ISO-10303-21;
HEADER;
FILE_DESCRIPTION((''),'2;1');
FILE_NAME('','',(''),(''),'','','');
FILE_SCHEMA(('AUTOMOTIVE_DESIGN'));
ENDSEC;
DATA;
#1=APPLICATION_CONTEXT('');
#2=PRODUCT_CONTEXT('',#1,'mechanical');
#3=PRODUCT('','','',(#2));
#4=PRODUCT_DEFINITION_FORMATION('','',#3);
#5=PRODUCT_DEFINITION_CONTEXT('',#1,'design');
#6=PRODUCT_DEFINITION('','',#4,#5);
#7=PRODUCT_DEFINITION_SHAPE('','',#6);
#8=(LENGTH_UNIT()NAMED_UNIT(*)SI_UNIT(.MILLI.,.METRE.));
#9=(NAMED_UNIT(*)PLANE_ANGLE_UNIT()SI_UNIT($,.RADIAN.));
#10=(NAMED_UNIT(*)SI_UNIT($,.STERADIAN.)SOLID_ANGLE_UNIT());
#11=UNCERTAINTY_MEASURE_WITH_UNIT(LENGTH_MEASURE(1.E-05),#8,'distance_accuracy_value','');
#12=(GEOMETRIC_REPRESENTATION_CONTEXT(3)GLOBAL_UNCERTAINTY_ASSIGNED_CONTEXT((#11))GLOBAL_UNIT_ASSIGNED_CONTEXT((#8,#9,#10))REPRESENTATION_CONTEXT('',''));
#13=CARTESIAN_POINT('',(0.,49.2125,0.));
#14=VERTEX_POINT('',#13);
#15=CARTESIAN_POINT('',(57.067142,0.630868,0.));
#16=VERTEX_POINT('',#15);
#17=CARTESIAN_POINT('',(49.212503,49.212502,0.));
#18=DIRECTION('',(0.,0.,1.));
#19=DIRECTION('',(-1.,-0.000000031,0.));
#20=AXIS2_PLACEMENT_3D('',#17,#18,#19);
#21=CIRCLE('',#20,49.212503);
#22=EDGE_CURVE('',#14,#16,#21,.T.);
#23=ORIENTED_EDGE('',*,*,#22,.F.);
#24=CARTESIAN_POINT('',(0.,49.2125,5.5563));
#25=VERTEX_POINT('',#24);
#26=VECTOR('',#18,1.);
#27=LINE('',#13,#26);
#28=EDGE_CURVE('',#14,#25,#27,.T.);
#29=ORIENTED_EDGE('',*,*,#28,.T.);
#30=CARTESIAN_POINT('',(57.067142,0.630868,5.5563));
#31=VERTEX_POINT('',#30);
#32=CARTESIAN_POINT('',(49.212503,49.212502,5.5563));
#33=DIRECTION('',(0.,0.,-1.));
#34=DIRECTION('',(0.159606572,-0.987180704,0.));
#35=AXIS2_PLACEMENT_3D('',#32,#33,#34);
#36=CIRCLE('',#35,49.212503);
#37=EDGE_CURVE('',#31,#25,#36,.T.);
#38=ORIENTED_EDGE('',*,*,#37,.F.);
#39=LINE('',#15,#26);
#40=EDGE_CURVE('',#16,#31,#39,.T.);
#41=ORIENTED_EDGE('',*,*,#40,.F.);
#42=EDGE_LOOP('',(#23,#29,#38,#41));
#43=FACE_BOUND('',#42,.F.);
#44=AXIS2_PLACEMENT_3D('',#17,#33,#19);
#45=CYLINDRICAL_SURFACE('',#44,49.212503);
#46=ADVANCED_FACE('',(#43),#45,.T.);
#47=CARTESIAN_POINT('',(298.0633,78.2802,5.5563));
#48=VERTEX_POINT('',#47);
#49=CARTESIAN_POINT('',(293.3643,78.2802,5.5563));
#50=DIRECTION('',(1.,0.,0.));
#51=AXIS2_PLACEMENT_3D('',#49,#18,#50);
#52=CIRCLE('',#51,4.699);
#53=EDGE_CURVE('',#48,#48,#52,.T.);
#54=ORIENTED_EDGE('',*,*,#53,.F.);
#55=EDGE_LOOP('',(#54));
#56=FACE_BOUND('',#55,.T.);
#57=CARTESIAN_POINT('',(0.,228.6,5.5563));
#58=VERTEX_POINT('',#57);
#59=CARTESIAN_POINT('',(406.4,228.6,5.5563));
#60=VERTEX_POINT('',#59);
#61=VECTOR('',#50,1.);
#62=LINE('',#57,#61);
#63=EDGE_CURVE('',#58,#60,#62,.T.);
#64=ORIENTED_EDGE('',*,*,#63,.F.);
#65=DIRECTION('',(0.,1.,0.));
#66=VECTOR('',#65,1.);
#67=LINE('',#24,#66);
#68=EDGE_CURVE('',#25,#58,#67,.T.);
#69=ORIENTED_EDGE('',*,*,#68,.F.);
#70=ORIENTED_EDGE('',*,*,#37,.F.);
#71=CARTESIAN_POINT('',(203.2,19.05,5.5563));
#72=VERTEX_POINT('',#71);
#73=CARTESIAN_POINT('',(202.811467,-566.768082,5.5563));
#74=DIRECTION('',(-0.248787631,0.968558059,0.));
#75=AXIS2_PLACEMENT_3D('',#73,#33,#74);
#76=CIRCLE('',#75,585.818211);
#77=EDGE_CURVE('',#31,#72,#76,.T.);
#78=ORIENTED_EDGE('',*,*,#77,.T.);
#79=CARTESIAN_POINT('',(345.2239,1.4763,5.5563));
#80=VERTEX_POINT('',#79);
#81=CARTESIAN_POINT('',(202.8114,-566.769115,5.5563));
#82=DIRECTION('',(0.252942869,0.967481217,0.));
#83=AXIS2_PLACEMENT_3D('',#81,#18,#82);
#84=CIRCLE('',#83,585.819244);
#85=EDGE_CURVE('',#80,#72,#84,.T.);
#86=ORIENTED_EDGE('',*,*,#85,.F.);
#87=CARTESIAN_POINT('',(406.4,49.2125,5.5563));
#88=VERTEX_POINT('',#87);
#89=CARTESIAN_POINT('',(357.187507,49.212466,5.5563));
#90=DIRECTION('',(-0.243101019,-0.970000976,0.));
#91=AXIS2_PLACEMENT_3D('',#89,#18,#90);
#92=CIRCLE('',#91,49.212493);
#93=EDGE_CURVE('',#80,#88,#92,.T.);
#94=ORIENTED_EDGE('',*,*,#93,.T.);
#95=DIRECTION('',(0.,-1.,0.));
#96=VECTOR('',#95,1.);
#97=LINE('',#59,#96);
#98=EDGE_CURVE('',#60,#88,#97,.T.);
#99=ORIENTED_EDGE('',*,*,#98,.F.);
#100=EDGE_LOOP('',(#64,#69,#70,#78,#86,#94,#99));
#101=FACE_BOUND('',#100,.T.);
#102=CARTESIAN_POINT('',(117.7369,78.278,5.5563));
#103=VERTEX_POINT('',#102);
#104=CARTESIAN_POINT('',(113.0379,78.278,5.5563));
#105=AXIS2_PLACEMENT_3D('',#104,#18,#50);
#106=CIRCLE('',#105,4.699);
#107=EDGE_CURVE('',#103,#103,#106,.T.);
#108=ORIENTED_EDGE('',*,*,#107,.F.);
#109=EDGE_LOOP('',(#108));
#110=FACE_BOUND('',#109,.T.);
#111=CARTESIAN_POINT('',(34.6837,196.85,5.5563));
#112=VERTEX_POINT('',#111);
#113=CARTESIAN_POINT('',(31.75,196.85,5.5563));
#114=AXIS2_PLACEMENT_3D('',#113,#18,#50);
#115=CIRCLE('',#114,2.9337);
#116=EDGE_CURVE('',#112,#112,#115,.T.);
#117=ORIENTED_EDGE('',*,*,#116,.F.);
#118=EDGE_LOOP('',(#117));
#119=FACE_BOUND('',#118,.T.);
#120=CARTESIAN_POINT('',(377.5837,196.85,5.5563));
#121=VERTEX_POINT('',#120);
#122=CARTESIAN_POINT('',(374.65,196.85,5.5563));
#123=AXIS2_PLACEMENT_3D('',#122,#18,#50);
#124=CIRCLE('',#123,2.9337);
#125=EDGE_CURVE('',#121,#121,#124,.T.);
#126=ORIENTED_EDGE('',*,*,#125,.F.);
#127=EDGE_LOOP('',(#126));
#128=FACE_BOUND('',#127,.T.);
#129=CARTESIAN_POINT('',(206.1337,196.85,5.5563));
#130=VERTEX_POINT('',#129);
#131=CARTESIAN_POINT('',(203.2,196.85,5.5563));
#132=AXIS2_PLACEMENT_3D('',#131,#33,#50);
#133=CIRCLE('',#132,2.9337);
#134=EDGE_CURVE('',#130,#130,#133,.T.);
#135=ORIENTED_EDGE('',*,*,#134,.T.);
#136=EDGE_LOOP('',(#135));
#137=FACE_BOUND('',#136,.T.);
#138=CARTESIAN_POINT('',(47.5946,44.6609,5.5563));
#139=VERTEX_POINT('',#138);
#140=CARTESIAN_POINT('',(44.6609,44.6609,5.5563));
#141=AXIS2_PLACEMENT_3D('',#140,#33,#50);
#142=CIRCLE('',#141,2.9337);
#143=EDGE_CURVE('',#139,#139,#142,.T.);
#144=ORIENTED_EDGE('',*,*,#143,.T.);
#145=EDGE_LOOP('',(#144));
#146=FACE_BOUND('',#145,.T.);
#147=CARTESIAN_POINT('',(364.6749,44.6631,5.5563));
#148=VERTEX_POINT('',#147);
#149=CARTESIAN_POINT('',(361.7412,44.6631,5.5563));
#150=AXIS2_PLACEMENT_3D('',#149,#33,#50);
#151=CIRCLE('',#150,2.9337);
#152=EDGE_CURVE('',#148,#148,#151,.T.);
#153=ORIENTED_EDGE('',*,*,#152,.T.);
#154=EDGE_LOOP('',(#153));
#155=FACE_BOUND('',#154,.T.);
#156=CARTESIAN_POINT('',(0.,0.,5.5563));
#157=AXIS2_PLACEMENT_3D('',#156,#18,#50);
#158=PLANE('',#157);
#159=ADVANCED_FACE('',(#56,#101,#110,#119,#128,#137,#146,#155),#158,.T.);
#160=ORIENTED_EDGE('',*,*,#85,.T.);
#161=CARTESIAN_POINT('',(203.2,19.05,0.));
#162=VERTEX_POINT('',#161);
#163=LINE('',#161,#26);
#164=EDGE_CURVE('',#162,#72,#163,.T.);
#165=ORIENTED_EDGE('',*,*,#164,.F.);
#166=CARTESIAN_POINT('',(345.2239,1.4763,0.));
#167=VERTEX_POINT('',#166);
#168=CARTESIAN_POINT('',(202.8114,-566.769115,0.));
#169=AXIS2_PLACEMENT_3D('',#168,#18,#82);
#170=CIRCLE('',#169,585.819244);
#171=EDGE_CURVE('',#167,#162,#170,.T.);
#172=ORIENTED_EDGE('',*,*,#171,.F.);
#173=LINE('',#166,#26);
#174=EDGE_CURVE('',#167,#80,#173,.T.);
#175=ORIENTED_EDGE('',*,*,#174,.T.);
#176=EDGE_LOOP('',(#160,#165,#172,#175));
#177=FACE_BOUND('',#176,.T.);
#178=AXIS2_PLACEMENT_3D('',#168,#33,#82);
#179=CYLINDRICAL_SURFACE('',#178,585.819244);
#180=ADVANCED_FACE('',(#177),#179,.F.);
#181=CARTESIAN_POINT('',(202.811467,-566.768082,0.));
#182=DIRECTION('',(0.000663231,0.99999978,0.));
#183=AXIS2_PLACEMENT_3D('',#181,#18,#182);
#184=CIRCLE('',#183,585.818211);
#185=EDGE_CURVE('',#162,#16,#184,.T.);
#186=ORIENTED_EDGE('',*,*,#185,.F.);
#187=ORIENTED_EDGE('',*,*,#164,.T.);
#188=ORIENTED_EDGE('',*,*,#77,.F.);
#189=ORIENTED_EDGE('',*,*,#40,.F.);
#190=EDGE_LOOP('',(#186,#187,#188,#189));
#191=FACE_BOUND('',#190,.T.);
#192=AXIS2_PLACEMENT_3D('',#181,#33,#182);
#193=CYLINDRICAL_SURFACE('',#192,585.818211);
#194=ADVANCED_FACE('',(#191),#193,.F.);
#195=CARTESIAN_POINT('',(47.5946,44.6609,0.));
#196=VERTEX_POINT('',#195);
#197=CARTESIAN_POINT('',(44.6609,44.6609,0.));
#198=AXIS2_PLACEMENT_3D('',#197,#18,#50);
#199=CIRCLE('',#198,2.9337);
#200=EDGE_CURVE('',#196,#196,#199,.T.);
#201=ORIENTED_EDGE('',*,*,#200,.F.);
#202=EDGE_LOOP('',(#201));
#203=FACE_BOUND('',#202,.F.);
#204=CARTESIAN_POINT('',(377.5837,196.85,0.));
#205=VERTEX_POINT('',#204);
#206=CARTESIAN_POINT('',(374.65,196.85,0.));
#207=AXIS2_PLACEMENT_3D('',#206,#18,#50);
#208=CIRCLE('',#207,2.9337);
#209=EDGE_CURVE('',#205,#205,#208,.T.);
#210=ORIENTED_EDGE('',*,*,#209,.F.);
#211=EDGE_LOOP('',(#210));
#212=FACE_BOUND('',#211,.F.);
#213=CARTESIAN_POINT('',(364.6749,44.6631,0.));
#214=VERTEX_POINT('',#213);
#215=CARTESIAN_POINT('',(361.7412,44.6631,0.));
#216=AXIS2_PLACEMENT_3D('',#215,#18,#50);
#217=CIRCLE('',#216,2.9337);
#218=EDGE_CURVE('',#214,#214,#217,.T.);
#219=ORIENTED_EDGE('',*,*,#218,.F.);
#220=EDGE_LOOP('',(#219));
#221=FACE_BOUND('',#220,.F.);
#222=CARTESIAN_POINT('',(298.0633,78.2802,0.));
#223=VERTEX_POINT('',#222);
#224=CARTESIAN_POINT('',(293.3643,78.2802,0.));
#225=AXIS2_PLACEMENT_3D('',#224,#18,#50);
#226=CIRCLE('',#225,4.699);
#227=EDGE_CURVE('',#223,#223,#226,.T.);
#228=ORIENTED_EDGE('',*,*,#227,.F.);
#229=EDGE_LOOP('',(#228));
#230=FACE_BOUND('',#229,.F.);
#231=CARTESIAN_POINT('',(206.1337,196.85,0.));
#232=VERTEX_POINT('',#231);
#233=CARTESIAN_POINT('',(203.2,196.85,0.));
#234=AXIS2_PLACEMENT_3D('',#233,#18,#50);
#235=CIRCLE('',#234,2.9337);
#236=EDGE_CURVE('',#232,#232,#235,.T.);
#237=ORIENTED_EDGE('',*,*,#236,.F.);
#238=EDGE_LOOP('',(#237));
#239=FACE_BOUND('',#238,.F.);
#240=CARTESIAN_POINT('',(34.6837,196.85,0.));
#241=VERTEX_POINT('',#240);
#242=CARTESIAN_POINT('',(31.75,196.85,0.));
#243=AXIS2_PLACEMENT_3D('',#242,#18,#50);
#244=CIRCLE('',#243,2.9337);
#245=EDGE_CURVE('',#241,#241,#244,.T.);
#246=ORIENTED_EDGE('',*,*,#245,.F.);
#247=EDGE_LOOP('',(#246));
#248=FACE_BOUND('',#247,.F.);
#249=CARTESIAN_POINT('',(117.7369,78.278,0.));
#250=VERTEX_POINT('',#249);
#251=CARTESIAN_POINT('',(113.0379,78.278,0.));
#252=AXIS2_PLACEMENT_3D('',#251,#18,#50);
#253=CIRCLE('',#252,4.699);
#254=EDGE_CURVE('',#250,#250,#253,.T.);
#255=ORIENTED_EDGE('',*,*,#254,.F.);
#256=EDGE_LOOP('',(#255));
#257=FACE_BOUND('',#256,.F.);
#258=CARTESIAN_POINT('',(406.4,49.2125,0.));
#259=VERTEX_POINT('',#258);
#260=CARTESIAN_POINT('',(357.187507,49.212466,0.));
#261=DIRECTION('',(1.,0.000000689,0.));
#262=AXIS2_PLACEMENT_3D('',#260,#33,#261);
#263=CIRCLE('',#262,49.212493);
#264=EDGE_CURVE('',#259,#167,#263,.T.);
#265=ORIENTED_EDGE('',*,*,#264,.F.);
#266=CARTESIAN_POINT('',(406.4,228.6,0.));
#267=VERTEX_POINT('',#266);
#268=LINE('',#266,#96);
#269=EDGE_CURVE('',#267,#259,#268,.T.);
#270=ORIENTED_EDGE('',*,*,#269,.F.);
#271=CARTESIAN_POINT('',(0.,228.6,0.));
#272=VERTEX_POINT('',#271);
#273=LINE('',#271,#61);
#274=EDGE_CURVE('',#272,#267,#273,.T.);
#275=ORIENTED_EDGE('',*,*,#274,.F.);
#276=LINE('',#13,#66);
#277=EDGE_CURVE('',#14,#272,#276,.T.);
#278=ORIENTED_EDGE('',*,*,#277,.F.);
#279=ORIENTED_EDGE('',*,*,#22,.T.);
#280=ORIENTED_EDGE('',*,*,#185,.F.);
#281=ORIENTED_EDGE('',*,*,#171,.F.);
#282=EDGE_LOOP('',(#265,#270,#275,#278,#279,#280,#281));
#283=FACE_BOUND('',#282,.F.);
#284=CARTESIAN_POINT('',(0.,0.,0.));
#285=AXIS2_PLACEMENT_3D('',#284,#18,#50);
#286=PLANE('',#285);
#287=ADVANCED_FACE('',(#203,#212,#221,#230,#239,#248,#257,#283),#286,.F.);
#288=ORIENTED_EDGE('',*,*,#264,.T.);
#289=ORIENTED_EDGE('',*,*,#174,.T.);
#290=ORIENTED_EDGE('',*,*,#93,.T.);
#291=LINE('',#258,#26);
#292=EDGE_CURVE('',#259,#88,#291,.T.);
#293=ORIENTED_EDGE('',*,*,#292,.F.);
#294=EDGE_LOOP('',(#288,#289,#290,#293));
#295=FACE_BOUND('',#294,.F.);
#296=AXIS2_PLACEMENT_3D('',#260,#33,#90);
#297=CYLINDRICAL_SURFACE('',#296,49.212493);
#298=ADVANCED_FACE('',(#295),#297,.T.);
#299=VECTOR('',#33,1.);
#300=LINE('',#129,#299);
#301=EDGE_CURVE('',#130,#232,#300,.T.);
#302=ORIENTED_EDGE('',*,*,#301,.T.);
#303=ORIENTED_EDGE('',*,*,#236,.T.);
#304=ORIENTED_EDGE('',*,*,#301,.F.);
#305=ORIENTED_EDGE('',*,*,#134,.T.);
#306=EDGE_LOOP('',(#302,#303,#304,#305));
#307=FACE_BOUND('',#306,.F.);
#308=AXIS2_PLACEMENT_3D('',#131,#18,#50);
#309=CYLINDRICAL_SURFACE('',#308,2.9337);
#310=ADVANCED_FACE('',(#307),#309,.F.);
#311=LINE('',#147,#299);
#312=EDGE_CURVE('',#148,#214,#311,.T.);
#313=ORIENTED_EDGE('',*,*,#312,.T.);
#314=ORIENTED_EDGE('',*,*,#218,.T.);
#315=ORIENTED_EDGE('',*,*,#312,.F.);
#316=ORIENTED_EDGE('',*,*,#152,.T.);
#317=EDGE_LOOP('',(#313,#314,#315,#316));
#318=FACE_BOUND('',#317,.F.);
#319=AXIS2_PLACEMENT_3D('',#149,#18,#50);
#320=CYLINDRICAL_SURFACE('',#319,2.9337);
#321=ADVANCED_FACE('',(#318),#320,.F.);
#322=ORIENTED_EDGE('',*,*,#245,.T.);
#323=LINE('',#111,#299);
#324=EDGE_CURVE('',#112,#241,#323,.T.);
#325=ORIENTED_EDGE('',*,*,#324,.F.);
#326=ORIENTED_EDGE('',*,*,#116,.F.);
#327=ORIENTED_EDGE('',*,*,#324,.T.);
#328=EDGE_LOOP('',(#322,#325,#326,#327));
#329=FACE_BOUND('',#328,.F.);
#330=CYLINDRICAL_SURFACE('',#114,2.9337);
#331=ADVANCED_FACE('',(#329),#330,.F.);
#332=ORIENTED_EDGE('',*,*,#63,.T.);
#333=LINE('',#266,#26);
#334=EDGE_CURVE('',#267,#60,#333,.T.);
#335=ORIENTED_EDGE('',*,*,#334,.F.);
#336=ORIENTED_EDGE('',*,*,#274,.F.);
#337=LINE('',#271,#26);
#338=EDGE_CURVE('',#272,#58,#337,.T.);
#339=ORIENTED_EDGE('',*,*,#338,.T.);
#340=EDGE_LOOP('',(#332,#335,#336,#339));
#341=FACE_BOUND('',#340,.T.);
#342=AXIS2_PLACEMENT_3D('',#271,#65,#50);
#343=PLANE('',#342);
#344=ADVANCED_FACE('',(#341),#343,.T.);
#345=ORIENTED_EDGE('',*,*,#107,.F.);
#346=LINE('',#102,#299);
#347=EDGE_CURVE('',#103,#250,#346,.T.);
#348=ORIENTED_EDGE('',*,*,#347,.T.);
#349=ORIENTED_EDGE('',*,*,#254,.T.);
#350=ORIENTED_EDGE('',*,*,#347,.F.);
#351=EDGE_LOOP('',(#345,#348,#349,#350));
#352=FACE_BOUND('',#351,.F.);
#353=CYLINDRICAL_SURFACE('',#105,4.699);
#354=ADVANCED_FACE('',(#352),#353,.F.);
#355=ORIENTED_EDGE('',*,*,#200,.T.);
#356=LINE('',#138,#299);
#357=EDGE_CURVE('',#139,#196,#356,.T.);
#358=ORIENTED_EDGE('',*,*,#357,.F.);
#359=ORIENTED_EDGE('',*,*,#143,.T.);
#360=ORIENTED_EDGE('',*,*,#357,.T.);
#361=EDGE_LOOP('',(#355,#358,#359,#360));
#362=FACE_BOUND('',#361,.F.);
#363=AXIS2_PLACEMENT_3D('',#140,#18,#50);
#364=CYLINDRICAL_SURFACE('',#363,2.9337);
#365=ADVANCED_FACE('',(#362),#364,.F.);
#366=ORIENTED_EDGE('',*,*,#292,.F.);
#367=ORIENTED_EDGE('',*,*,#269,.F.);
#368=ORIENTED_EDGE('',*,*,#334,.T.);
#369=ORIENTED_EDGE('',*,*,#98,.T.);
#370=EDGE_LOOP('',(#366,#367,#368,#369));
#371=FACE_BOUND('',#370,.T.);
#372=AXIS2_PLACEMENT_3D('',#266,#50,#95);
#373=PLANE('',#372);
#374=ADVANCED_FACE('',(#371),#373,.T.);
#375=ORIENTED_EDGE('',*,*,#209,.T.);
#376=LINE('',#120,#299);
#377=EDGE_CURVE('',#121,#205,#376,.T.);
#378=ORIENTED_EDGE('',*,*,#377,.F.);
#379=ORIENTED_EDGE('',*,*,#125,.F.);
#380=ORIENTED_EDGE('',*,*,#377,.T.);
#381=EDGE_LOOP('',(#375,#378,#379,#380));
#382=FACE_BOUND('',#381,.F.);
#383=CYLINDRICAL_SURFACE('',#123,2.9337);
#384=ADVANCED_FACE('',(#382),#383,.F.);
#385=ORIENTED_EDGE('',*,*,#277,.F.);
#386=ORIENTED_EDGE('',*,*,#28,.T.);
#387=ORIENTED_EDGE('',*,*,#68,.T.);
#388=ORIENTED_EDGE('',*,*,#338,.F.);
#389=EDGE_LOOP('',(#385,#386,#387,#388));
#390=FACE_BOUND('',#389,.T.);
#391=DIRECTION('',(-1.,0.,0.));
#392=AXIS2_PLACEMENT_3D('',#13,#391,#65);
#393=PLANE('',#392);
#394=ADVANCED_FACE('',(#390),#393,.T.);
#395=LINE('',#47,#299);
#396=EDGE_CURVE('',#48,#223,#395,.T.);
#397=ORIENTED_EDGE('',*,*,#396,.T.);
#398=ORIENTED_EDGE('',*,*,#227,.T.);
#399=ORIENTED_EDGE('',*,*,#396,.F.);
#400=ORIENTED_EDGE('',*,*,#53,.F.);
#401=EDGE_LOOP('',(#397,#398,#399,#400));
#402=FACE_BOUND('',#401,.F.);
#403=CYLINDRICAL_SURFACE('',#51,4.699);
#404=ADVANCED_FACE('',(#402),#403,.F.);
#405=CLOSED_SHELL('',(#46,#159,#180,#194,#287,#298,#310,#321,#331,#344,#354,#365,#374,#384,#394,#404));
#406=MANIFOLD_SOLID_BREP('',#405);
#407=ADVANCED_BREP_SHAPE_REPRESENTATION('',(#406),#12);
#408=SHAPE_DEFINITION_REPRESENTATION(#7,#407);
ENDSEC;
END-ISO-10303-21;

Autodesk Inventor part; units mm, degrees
ref_plane "YZ Plane" through (0, 0, 0) normal (1, 0, 0) x (0, 1, 0)
ref_plane "XZ Plane" through (0, 0, 0) normal (0, 1, 0) x (-1, 0, 0)
ref_plane "XY Plane" through (0, 0, 0) normal (0, 0, 1) x (1, 0, 0)
sketch "Sketch1" plane through (0, 0, 0) normal (0, 0, 1) x (1, 0, 0)
  line L0 (49.2125, 0) -> (54.6328, 0)
  line L1 (357.1875, 0) -> (350.9902, 0)
  arc A0 (0, 49.2125) -> (65.0875, 2.6308) centre (49.2125, 49.2125) ccw
  arc A1 (345.2239, 1.4763) -> (406.4, 49.2125) centre (357.1875, 49.2125) ccw
  arc A2 (203.2, 19.05) -> (54.6328, 0) centre (202.8115, -566.7686) ccw
  arc A3 (350.9902, 0) -> (345.2239, 1.4763) centre (202.8115, -566.7686) ccw
  arc A4 (65.0875, 2.6308) -> (54.6328, 0) centre (202.8115, -566.7686) ccw
  arc A5 (350.9902, 0) -> (203.2, 19.05) centre (202.8115, -566.7686) ccw
  line L2 (0, 49.2125) -> (0, 228.6)
  line L3 (406.4, 228.6) -> (406.4, 49.2125)
  line L4 (0, 228.6) -> (406.4, 228.6)
  point P0 (0, 0)
  point P1 (57.0671, 0.6309)
extrude "Extrusion1" add sketch "Sketch1" along normal blind 5.5563 contours A0 L2 L4 L3 A1 A5 A2
sketch "Sketch2" plane through (0, 0, 5.5563) normal (0, 0, 1) x (1, 0, 0)
  arc A0 (0, 49.2125) -> (57.0671, 0.6309) centre (49.2125, 49.2125) ccw projected
  arc A1 (345.2239, 1.4763) -> (406.4, 49.2125) centre (357.1875, 49.2125) ccw projected
  line L0 (361.7622, 0.2131) -> (361.7412, 44.6631)
  line L1 (361.7412, 44.6631) -> (406.1912, 44.6631)
  line L2 (0.2109, 44.6609) -> (44.6609, 44.6609)
  line L3 (44.6609, 44.6609) -> (44.6609, 0.2109)
  line L4 (365.2681, 38.3131) -> (368.9342, 44.6631)
  line L5 (365.2681, 51.0131) -> (368.9342, 44.6631)
  line L6 (357.9357, 51.0131) -> (365.2681, 51.0131)
  line L7 (357.9357, 38.3131) -> (365.2681, 38.3131)
  line L8 (357.9357, 51.0131) -> (354.2695, 44.6631)
  line L9 (354.2695, 44.6631) -> (357.9357, 38.3131)
  line L10 (48.1878, 38.3109) -> (51.854, 44.6609)
  line L11 (48.1878, 51.0109) -> (51.854, 44.6609)
  line L12 (40.8554, 51.0109) -> (48.1878, 51.0109)
  line L13 (40.8554, 38.3109) -> (48.1878, 38.3109)
  line L14 (40.8554, 51.0109) -> (37.1893, 44.6609)
  line L15 (37.1893, 44.6609) -> (40.8554, 38.3109)
  circle A2 centre (361.7412, 44.6631) radius 2.9337
  circle A3 centre (44.6609, 44.6609) radius 2.9337
  point P0 (0, 0)
  dimension "d97" = 44.45
  dimension "d99" = 44.45
  dimension "d100" = 44.45
  dimension "d101" = 44.45
  dimension "d102" = 12.7
  dimension "d103" = 12.7
  dimension "d104" = 12.7
  dimension "d105" = 7.3323
  dimension "d106" = 7.3323
  dimension "d107" = 7.3323
  dimension "d108" = 7.3323
  dimension "d109" = 7.3323
  dimension "d110" = 7.3323
  dimension "d111" = 12.7
  dimension "d112" = 12.7
  dimension "d113" = 12.7
  dimension "d114" = 7.3323
  dimension "d115" = 7.3323
  dimension "d116" = 7.3323
  dimension "d117" = 7.3323
  dimension "d118" = 7.3323
  dimension "d119" = 7.3323
  dimension "d145" = 5.8674
  dimension "d156" = 5.8674
extrude "Extrusion2" cut sketch "Sketch2" against normal through all contours A3 L3 L2 | L2 L3 A3 | A2 L1 L0 | L0 L1 A2
sketch "Sketch5" plane through (-0.198, 12.7962, 5.5563) normal (0, 0, 1) x (1, 0, 0)
  circle A0 centre (31.948, 184.0538) radius 2.9337
  circle A1 centre (374.848, 184.0538) radius 2.9337
  line L0 (31.948, 184.0538) -> (203.398, 184.0538)
  circle A2 centre (203.398, 184.0538) radius 2.9337
  point P0 (0.198, 215.8038)
  dimension "d141" = 5.8674
  dimension "d140" = 5.8674
  dimension "d139" = 171.45
  dimension "d138" = 5.8674
extrude "Extrusion6" cut sketch "Sketch5" against normal up to surface (5.5563 mm away)
sketch "Sketch6" plane through (0, 0, 5.5563) normal (0, 0, 1) x (1, 0, 0)
  ellipse E0 centre (293.3334, 94.2801) end of major axis (293.3295, 96.2801) minor radius 2
  ellipse E1 centre (293.3643, 62.2802) end of major axis (293.3569, 64.2802) minor radius 2
  circle A0 centre (361.7412, 44.6631) radius 2.9337 projected
  line L0 (361.7412, 44.6631) -> (293.3643, 44.6631)
  line L1 (293.3643, 44.6631) -> (293.3643, 62.2802)
  ellipse E2 centre (113.007, 94.278) end of major axis (113.0032, 96.278) minor radius 2
  ellipse E3 centre (113.0379, 62.2781) end of major axis (113.0305, 64.2781) minor radius 2
  line L2 (113.0379, 44.6609) -> (113.0379, 62.2781)
  circle A1 centre (293.3643, 78.2802) radius 4.699
  circle A2 centre (113.0379, 78.278) radius 4.699
  circle A3 centre (44.6609, 44.6609) radius 2.9337 projected
  line L3 (44.6609, 44.6609) -> (113.0379, 44.6609)
  point P0 (0, 0)
  dimension "d147" = 17.6171
  dimension "d148" = 68.3769
  dimension "d150" = 17.6171
  dimension "d152" = 9.398
  dimension "d153" = 9.398
  dimension "d157" = 68.3769
extrude "Extrusion7" cut sketch "Sketch6" against normal through all contours A1 | A2
properties part number "FTC Outside Panels" material "Wood (Oak)"
